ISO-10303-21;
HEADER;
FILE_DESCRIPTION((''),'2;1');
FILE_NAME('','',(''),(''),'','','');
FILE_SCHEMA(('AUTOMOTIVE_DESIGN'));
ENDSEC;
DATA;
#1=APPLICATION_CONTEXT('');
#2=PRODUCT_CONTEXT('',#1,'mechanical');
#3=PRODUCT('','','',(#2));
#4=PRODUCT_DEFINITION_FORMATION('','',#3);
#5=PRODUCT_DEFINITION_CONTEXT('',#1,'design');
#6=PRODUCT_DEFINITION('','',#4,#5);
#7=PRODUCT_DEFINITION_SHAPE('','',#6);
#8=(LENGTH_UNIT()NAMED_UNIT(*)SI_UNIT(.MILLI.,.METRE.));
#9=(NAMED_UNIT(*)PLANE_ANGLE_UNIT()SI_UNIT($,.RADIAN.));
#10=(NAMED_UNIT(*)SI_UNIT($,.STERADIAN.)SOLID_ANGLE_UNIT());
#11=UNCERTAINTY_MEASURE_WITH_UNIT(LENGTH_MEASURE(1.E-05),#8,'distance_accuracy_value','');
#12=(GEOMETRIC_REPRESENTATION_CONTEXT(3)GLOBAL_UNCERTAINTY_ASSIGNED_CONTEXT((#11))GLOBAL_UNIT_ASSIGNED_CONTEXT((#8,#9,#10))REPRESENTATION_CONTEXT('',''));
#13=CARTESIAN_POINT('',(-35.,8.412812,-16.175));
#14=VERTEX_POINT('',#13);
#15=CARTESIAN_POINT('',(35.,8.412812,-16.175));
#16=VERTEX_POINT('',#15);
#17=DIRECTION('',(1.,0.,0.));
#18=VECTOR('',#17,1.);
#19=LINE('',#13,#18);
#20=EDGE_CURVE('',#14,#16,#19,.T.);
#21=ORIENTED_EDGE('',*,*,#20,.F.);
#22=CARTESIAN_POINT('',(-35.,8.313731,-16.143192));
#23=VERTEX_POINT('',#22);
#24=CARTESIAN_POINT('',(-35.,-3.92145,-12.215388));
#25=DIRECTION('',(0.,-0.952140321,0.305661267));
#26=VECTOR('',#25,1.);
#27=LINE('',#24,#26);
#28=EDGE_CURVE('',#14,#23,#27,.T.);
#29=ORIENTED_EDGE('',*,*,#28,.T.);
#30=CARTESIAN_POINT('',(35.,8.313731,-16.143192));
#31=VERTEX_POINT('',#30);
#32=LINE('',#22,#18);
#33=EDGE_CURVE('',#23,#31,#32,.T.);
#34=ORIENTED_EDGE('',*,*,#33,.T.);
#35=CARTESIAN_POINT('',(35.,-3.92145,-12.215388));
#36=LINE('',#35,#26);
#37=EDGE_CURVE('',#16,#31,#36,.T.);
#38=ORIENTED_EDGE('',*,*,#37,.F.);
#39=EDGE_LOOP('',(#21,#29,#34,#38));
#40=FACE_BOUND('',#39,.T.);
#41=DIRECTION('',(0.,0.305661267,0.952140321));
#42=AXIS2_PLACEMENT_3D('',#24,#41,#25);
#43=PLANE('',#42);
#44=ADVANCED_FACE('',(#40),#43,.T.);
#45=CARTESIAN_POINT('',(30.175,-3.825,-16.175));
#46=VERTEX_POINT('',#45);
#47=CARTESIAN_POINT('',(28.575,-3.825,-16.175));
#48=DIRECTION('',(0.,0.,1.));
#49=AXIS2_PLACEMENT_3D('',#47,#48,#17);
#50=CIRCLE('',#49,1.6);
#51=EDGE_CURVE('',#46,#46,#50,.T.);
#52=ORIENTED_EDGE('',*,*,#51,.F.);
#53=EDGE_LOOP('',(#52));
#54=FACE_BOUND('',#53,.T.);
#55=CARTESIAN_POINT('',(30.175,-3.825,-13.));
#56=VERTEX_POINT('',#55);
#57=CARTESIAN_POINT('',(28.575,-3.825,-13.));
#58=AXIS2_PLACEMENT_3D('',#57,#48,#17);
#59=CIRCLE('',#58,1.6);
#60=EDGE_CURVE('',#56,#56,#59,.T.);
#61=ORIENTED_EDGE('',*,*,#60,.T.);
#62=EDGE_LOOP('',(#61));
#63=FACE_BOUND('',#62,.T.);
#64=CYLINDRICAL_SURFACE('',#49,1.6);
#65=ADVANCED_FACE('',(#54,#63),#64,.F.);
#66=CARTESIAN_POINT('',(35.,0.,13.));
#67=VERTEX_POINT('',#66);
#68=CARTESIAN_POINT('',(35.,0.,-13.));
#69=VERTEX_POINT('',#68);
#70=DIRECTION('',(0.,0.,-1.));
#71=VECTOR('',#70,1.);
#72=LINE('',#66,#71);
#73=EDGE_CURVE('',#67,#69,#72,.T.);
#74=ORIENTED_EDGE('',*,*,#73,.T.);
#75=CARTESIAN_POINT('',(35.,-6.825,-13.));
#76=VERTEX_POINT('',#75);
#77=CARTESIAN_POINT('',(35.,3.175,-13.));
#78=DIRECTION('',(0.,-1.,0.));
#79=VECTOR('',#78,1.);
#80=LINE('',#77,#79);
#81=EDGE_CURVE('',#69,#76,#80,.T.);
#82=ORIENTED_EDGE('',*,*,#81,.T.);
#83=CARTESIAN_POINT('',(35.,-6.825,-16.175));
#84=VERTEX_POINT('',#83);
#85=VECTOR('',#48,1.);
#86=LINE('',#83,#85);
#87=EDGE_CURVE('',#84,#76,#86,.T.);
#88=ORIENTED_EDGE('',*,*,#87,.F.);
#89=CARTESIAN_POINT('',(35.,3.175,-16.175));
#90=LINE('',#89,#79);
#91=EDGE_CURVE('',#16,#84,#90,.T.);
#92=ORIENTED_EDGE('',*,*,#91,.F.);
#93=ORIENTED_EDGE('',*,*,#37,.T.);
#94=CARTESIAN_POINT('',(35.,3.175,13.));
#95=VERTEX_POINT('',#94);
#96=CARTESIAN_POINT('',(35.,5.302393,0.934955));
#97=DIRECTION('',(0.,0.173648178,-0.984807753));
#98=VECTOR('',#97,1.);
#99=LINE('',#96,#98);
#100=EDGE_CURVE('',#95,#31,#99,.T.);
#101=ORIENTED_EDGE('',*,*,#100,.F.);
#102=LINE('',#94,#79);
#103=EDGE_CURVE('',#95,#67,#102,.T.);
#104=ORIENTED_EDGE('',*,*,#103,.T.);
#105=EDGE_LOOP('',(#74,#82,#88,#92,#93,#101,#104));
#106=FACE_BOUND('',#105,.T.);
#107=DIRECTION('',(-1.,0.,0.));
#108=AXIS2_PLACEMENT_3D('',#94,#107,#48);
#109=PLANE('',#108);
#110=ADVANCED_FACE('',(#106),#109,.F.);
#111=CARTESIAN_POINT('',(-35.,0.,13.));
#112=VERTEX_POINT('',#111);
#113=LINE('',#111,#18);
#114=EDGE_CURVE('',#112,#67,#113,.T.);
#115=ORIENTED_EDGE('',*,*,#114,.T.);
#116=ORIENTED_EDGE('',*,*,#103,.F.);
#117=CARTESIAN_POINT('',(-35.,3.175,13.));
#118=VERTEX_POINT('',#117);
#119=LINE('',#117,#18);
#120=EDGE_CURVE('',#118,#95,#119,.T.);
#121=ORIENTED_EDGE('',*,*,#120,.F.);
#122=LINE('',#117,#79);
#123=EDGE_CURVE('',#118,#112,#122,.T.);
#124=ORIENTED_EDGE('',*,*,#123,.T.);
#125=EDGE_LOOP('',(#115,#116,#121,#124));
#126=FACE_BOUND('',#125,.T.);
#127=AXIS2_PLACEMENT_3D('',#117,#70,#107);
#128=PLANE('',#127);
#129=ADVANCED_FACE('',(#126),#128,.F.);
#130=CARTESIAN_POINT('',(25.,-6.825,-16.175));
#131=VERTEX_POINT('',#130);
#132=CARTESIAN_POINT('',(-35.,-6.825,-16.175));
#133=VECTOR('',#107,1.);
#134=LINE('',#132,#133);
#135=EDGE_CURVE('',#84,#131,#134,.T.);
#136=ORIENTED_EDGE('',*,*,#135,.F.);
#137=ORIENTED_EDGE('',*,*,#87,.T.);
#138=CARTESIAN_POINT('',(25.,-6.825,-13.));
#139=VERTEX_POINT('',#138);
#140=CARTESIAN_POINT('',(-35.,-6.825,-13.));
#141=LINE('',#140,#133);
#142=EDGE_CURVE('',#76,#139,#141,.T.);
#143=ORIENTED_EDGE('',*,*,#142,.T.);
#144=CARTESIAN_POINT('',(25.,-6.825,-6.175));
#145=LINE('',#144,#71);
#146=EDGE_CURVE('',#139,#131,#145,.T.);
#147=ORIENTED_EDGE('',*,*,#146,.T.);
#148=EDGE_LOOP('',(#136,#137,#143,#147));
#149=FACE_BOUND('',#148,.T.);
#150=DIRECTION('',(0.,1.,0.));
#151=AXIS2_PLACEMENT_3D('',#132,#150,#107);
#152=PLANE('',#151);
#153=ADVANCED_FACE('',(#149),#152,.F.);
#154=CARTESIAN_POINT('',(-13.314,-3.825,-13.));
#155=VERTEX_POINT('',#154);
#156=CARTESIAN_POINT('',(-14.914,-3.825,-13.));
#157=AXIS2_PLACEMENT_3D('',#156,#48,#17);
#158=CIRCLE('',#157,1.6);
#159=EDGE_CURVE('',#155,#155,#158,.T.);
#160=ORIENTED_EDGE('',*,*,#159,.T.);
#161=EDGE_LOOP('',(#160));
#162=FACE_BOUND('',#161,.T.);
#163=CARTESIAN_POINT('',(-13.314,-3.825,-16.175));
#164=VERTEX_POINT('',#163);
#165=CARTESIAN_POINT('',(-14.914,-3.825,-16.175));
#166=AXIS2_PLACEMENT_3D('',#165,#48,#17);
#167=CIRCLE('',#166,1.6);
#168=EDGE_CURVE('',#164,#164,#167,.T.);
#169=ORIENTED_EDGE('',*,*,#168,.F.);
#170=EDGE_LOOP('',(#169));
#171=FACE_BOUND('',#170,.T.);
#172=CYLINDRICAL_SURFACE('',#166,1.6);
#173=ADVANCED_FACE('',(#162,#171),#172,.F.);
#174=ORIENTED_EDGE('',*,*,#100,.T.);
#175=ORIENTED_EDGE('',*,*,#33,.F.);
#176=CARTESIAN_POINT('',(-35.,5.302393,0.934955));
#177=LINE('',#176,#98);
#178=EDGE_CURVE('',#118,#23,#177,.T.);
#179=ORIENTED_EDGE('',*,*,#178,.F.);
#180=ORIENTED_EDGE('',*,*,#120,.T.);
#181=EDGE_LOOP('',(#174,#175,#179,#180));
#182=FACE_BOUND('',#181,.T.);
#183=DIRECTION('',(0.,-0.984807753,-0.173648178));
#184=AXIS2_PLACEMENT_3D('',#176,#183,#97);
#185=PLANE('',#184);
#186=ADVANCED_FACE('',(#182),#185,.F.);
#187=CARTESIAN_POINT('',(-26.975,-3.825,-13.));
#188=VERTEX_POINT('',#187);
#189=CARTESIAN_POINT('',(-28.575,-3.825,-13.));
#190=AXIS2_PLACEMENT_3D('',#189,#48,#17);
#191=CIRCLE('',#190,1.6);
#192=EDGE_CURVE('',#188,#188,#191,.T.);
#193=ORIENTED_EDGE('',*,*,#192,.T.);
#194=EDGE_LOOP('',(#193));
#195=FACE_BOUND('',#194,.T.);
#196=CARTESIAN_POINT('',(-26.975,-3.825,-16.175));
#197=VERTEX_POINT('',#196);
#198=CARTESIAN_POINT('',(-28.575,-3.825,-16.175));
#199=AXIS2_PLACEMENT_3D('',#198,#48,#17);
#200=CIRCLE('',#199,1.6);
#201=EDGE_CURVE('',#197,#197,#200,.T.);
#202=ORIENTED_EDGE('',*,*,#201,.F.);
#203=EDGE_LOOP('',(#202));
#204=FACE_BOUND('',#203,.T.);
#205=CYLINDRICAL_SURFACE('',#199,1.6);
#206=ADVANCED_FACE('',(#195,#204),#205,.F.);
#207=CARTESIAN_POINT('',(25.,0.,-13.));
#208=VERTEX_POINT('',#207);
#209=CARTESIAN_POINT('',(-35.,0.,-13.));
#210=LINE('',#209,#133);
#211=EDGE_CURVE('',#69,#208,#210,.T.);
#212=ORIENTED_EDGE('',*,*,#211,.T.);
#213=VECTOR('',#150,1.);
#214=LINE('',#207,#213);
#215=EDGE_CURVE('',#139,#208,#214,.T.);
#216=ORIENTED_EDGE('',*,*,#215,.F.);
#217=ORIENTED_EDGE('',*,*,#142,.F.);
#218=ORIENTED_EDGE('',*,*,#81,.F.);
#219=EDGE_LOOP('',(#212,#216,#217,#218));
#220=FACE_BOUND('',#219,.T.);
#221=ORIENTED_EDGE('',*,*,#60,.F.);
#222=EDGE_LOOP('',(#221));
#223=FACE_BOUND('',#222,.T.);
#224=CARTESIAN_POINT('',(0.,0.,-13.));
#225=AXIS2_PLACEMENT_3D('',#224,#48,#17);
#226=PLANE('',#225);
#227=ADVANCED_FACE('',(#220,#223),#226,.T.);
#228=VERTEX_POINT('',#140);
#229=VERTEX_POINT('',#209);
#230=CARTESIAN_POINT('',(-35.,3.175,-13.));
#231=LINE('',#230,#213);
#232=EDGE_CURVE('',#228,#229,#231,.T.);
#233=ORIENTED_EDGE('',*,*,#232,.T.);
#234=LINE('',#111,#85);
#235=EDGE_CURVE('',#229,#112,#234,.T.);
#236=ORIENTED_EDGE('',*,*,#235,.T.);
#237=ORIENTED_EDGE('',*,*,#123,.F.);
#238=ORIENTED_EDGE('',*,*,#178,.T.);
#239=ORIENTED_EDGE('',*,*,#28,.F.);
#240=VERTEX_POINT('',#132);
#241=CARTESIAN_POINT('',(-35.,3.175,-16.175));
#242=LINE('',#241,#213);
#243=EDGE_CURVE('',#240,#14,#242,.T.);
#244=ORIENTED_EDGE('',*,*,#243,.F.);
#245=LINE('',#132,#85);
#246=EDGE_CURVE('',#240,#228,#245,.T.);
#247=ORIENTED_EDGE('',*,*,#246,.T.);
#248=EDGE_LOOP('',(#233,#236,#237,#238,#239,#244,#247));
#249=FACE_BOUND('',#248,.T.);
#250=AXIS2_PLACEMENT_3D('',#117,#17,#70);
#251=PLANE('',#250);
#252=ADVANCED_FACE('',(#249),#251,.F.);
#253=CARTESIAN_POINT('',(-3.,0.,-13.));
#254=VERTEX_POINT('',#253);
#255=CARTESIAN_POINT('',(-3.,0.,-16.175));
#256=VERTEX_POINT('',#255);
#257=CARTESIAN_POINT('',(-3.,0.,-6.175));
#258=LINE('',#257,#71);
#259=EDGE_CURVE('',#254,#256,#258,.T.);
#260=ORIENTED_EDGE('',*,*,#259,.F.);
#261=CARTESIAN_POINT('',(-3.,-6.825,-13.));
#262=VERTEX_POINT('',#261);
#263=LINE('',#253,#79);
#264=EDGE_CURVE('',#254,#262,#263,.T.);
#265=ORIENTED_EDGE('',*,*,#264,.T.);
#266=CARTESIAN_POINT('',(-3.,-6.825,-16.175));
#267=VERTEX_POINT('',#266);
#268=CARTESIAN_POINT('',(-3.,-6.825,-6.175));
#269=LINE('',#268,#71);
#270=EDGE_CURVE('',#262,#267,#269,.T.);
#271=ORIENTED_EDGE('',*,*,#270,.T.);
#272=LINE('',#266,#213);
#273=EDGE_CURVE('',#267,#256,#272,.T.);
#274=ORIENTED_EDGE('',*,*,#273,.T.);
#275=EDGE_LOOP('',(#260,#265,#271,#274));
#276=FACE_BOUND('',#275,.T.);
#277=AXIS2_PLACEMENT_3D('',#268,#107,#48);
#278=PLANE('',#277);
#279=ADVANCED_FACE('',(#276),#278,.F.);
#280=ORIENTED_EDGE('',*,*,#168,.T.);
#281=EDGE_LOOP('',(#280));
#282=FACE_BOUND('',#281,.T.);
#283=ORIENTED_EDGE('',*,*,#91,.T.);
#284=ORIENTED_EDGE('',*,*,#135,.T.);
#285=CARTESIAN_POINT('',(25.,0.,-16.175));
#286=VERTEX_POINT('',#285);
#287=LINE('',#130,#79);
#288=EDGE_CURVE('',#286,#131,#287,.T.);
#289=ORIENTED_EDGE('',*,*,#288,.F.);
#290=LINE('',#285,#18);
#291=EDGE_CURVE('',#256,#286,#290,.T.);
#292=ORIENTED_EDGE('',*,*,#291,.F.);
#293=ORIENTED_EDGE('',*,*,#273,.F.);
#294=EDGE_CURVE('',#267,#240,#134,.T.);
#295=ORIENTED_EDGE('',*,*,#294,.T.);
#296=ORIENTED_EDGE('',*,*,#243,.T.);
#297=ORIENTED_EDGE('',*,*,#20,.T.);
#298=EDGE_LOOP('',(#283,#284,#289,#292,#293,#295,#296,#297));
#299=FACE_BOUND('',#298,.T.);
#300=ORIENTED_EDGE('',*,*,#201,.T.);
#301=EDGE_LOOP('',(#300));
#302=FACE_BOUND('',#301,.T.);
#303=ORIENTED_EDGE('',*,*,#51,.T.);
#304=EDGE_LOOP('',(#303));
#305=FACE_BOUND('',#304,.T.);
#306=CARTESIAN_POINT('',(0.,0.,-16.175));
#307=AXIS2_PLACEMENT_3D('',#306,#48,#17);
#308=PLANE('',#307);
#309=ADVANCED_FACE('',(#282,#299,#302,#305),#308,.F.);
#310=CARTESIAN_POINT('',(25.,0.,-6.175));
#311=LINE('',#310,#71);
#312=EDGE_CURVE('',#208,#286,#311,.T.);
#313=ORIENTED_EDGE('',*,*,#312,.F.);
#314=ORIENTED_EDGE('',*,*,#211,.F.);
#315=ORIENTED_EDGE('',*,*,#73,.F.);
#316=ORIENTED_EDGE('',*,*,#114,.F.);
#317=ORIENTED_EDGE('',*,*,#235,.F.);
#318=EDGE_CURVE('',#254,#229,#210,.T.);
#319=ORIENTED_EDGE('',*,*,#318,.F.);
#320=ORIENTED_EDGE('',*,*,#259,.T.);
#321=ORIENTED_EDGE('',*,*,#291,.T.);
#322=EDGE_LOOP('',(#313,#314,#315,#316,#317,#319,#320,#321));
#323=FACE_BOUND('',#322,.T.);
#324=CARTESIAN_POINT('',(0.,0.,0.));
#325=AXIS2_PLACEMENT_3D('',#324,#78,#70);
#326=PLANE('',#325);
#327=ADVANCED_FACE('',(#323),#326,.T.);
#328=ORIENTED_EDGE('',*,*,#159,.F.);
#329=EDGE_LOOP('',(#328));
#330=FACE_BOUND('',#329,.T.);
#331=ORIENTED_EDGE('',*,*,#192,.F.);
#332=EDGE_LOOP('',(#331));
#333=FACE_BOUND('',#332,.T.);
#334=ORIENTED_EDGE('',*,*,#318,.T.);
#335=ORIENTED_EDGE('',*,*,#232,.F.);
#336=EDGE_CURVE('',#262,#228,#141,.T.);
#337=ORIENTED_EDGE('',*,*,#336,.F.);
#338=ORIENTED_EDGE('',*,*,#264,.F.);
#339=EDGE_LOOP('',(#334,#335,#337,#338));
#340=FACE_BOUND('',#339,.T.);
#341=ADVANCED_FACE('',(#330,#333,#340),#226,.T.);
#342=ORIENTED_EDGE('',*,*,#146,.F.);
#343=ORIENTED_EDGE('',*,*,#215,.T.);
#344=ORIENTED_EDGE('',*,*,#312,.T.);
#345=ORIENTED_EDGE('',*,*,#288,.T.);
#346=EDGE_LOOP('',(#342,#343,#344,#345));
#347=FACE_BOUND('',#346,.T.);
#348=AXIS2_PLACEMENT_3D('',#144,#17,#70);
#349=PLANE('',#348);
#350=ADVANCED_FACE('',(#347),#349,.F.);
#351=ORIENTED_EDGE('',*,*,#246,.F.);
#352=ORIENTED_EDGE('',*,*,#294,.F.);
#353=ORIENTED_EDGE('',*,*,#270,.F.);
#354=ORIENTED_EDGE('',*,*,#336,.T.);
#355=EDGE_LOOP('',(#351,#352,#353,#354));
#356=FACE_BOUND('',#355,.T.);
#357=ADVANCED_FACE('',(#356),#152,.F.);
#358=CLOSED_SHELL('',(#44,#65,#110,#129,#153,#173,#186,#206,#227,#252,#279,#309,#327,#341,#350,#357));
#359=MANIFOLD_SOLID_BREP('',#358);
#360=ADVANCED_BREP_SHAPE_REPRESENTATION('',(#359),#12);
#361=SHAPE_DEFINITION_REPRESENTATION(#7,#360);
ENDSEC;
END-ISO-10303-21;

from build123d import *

# Parameters (mm, degrees)
SKETCH1_W           = 70
SKETCH1_H           = 26
BOSS_EXTRUDE1_DEPTH = 3.175
SKETCH2_W           = 70
SKETCH2_H           = 10
BOSS_EXTRUDE2_DEPTH = 3.175
SKETCH3_R           = 1.6
CUT_EXTRUDE1_DEPTH  = 3.175
BOSS_EXTRUDE3_DEPTH = 70
SKETCH5_W           = 28
SKETCH5_H           = 6.825
CUT_EXTRUDE2_DEPTH  = 10


with BuildPart() as part:
    # Sketch1 → Boss-Extrude1 (new body)
    with BuildSketch(Plane(origin=(0, 0, 0), x_dir=(1, 0, 0), z_dir=(0, 1, 0))):
        Rectangle(SKETCH1_W, SKETCH1_H)
    extrude(amount=BOSS_EXTRUDE1_DEPTH)

    # Sketch2 → Boss-Extrude2 (add)
    with BuildSketch(Plane(origin=(0, 0, -13), x_dir=(-1, 0, 0), z_dir=(0, 0, -1))):
        with Locations((0, -1.825)):
            Rectangle(SKETCH2_W, SKETCH2_H)
    extrude(amount=BOSS_EXTRUDE2_DEPTH)

    # Sketch3 → Cut-Extrude1 (cut)
    with BuildSketch(Plane.XY.offset(-13)):
        with Locations((-14.914, -3.825)):
            Circle(SKETCH3_R)
        with Locations((28.575, -3.825)):
            Circle(SKETCH3_R)
        with Locations((-28.575, -3.825)):
            Circle(SKETCH3_R)
    extrude(amount=-CUT_EXTRUDE1_DEPTH, mode=Mode.SUBTRACT)

    # Sketch4 → Boss-Extrude3 (add)
    with BuildSketch(Plane(origin=(35, 0, 0), x_dir=(0, 0, -1), z_dir=(1, 0, 0))):
        Polygon((16.175, 3.175), (16.175, 8.412812241), (16.143192443, 8.313731132), (-13, 3.175), align=None)
    extrude(amount=-BOSS_EXTRUDE3_DEPTH)

    # Sketch5 → Cut-Extrude2 (cut)
    with BuildSketch(Plane(origin=(0, 0, -16.175), x_dir=(-1, 0, 0), z_dir=(0, 0, -1))):
        with Locations((-11, -3.4125)):
            Rectangle(SKETCH5_W, SKETCH5_H)
    extrude(amount=-CUT_EXTRUDE2_DEPTH, mode=Mode.SUBTRACT)


solid = part.part
